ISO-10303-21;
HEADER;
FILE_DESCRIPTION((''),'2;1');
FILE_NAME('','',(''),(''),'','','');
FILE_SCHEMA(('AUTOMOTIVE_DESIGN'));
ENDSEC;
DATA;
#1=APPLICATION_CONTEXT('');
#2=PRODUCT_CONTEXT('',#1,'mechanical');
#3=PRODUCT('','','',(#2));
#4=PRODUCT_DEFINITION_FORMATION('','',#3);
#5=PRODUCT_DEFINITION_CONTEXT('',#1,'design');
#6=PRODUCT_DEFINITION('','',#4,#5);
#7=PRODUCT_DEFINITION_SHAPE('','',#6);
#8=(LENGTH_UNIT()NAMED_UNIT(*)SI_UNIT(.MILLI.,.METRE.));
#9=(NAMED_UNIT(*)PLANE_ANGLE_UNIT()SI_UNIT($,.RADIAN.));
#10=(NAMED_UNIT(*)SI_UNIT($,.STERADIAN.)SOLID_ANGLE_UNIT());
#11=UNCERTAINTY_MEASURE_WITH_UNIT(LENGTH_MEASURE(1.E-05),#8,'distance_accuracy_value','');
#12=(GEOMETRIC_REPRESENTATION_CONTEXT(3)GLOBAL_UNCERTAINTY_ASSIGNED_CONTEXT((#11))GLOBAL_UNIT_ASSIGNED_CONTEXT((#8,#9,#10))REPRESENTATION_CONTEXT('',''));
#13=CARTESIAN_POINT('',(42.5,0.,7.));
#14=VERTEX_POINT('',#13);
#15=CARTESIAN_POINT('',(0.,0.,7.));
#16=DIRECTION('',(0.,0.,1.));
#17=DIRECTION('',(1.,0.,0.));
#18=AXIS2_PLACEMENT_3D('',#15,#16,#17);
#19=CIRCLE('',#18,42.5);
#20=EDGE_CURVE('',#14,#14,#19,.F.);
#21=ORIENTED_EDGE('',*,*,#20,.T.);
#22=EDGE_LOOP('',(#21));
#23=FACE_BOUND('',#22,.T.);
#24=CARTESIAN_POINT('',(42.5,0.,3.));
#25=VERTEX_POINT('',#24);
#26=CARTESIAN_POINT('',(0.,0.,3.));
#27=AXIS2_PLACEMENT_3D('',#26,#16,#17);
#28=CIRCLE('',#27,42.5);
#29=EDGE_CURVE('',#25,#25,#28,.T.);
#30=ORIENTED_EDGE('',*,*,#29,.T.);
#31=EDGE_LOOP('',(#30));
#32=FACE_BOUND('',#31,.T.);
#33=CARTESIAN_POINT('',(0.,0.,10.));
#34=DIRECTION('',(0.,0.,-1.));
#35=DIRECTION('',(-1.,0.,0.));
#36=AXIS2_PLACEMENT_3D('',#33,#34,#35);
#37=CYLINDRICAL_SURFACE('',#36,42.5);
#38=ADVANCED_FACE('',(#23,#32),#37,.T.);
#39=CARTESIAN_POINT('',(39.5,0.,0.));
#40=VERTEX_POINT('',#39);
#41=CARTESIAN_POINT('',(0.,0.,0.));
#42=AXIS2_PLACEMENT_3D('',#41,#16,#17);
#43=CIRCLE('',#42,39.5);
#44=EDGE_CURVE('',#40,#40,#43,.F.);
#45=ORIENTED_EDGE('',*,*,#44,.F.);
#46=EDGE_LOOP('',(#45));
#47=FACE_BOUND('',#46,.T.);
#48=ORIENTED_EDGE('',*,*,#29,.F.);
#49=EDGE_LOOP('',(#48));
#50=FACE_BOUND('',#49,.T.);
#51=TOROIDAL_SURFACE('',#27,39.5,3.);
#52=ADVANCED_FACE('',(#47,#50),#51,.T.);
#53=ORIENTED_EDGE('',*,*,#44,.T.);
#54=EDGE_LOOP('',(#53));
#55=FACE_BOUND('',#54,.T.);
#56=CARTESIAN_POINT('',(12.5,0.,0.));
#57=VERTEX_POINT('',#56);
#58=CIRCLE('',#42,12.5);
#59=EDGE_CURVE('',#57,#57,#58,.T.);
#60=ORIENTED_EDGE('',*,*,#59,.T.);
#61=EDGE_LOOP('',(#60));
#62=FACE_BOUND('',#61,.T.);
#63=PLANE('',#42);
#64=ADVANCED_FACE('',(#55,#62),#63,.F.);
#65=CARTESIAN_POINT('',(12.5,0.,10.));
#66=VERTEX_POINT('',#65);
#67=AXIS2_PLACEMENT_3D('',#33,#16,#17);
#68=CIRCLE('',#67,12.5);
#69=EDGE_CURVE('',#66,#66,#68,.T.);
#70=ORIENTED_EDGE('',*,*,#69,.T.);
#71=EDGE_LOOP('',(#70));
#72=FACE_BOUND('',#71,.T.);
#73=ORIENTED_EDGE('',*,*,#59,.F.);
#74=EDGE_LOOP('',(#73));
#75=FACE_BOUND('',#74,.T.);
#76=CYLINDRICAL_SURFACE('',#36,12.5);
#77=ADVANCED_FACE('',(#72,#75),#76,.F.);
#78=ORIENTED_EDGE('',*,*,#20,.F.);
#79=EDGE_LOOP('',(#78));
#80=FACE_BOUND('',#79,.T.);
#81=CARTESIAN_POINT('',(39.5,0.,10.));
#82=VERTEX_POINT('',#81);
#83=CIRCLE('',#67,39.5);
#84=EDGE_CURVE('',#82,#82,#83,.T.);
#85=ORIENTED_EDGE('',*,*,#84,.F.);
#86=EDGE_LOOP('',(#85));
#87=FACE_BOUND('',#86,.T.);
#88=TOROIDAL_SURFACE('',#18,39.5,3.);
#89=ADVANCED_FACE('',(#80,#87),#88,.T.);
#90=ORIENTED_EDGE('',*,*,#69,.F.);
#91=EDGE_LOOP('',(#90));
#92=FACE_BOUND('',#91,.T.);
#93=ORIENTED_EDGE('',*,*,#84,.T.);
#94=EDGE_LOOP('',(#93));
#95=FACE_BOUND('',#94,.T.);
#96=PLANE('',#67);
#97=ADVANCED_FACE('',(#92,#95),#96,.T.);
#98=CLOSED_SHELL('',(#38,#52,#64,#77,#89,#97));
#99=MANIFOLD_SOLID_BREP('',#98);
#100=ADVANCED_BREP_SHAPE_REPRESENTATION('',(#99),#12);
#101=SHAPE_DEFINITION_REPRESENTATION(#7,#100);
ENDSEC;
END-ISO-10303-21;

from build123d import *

# Parameters (mm, degrees)
SKETCH1_R           = 42.5
SKETCH1_R_2         = 12.5
BOSS_EXTRUDE1_DEPTH = 10
FILLET1_R           = 3


with BuildPart() as part:
    # Sketch1 → Boss-Extrude1 (new body)
    with BuildSketch(Plane.XY):
        Circle(SKETCH1_R)
        Circle(SKETCH1_R_2, mode=Mode.SUBTRACT)
    extrude(amount=BOSS_EXTRUDE1_DEPTH)

    # Fillet1
    fillet1_edges = [part.edges().sort_by_distance(p)[0] for p in [
        (-42.5, 0, 0),
        (-42.5, 0, 10),
    ]]
    fillet(fillet1_edges, radius=FILLET1_R)


solid = part.part
